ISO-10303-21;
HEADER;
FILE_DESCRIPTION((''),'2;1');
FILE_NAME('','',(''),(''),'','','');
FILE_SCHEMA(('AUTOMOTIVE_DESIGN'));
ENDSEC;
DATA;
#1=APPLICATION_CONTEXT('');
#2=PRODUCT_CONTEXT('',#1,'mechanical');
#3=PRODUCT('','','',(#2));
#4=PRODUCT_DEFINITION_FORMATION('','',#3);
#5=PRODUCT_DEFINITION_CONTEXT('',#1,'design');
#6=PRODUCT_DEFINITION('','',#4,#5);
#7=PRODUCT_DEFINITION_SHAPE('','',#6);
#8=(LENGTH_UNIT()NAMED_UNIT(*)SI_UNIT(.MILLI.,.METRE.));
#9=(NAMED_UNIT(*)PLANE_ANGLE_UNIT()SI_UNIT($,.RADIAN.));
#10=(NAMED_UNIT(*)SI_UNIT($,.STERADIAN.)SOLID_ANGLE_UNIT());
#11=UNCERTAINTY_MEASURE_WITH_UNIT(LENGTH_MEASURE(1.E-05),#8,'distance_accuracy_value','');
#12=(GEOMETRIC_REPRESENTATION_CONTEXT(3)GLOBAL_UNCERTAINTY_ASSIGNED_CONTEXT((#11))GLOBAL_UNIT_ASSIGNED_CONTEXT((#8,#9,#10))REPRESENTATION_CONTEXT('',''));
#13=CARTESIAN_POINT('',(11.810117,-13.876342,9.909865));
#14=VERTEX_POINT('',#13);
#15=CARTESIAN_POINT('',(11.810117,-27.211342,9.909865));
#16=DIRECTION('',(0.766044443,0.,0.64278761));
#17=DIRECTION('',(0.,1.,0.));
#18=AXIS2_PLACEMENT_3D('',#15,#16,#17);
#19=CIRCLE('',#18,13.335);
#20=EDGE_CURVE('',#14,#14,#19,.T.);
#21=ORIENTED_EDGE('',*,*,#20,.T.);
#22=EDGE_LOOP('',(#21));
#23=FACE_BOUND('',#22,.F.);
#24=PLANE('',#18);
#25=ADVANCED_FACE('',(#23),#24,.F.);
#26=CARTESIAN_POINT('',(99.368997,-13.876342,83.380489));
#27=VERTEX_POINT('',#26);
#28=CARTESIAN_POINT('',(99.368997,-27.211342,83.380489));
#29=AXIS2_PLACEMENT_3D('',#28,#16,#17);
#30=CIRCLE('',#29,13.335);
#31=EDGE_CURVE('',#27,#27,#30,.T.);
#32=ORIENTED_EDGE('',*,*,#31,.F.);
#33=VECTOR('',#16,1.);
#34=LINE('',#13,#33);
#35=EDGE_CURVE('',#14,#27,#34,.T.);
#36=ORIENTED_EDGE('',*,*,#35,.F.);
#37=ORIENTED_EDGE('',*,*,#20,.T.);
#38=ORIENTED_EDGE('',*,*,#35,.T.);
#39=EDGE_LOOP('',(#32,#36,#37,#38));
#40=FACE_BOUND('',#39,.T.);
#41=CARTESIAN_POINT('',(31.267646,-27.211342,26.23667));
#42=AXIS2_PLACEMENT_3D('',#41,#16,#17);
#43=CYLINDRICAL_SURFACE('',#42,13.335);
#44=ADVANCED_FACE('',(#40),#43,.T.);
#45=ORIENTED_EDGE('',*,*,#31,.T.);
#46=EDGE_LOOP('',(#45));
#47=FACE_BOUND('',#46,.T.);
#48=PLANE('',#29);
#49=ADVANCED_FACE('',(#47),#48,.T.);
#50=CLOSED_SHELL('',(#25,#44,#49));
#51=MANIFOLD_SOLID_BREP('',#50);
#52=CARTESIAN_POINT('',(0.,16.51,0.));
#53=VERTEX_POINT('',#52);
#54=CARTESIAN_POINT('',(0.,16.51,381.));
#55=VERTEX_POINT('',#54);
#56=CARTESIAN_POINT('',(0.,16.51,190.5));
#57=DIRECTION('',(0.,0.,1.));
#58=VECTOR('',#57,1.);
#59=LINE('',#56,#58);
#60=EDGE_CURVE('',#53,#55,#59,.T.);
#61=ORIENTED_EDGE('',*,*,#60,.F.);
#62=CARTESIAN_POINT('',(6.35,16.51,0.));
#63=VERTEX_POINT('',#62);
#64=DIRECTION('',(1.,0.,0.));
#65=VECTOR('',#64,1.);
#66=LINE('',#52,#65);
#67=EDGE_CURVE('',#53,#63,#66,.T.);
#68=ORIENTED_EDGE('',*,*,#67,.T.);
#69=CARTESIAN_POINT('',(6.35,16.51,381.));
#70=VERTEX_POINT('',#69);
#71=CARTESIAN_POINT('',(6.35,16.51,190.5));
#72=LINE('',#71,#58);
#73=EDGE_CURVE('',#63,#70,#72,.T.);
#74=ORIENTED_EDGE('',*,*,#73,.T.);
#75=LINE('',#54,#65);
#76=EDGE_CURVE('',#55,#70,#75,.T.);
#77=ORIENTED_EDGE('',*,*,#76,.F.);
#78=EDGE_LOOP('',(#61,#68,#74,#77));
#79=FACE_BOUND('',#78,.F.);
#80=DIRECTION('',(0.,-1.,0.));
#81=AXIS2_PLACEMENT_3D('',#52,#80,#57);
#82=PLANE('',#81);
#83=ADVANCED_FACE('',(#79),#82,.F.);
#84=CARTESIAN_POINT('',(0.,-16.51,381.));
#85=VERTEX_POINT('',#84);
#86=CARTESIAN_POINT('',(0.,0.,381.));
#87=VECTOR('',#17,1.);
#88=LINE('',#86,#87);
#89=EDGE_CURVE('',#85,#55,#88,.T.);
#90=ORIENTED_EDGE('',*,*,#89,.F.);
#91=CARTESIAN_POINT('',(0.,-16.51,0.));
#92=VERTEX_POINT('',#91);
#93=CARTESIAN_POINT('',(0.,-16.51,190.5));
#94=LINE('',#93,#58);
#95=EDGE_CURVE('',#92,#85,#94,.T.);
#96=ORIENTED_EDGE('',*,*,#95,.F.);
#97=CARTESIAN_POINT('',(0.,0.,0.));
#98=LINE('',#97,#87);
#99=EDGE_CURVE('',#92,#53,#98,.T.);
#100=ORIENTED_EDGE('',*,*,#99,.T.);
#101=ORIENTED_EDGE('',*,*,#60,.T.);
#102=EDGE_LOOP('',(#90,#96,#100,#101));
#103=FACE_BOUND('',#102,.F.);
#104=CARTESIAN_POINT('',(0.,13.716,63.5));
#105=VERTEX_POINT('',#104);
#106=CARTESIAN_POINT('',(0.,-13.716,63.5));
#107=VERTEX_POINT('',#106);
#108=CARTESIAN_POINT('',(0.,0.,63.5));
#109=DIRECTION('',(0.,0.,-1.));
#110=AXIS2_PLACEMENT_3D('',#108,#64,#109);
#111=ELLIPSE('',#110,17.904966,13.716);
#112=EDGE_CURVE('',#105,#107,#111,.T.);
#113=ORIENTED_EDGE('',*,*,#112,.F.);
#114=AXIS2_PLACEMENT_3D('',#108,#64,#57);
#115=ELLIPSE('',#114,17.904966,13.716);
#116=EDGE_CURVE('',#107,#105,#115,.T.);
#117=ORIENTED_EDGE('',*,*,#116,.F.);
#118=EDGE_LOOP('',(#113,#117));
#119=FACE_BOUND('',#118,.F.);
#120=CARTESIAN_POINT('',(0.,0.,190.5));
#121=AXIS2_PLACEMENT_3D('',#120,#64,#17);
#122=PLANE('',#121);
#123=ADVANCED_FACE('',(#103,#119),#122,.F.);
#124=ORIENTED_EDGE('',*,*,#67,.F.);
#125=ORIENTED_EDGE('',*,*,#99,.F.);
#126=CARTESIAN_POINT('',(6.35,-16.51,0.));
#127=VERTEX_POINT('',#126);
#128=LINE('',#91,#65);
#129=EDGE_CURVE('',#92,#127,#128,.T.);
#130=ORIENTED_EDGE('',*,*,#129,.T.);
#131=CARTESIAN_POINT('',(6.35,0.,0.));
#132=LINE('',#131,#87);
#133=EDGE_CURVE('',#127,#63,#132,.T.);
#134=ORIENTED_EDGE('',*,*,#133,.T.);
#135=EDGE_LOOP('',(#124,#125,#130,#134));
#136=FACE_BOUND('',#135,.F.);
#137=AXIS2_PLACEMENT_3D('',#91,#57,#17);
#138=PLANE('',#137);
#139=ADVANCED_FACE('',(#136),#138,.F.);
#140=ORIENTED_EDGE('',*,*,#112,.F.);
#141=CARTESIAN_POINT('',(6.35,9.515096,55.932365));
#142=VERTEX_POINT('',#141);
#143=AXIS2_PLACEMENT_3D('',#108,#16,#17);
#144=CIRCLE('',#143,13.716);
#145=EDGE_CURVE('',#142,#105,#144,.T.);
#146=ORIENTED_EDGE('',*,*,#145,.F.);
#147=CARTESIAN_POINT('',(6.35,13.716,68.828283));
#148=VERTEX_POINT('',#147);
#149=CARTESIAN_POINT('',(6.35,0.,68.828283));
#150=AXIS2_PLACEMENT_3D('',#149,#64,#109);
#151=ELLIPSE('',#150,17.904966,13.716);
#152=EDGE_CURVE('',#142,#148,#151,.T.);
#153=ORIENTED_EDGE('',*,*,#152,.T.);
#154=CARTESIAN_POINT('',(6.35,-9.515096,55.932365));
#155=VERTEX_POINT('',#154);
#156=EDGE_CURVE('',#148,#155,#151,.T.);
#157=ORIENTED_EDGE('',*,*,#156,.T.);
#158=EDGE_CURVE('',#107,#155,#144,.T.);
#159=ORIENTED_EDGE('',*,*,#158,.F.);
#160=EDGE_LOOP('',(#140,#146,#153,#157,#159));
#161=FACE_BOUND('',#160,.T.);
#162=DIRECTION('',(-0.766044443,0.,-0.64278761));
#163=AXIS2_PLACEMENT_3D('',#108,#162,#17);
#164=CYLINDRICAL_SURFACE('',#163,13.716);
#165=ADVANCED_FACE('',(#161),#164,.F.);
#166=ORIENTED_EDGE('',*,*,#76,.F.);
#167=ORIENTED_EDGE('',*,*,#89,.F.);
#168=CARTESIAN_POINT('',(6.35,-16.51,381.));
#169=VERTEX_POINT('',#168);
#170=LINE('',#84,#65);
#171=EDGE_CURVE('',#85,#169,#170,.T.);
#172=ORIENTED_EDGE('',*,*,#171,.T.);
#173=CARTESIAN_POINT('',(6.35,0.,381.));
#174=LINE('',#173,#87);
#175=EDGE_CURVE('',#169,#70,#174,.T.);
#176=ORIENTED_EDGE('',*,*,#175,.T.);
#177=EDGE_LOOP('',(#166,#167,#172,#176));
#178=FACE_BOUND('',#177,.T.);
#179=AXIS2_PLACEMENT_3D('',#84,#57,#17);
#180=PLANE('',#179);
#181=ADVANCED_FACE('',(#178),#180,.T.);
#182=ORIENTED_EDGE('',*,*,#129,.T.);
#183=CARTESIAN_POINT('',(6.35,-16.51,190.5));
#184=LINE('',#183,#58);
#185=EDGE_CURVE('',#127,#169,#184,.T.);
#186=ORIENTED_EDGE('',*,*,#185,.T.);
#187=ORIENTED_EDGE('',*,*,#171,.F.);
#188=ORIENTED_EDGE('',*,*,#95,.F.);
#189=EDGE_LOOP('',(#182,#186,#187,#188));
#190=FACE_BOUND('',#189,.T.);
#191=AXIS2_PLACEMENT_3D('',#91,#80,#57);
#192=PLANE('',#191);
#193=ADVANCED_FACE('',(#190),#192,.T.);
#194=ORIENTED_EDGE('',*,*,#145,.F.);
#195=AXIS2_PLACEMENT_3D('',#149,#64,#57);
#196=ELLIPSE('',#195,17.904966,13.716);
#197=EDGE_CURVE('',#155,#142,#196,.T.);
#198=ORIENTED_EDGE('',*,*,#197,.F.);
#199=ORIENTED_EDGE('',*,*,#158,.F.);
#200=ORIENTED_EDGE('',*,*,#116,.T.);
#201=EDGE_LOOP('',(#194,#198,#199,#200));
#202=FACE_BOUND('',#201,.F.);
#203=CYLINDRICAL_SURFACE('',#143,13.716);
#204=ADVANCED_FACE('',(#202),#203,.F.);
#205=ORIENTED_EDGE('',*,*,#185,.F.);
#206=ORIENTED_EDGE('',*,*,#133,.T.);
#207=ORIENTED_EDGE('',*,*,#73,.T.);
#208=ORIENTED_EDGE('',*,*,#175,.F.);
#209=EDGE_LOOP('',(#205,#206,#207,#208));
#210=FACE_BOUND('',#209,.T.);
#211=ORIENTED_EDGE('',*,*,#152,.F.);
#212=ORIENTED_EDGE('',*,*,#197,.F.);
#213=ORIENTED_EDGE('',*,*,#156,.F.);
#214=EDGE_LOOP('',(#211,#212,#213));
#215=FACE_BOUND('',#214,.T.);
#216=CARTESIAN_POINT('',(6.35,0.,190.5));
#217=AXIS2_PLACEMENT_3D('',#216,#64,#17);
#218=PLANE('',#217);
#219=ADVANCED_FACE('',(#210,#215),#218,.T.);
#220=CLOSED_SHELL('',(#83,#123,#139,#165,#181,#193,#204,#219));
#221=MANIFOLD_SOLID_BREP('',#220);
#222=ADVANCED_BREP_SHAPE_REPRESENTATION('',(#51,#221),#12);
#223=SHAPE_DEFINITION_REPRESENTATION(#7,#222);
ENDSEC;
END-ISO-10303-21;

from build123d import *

# Parameters (mm, degrees)
F0_W          = 33.02
F0_H          = 381
F1_DEPTH      = 6.35
F3_R          = 13.716
F4_DEPTH      = 208.9504482893
F4_DEPTH_BACK = 40.8180132151
F5_R          = 13.335
F6_DEPTH      = 88.9
F6_DEPTH_BACK = 25.4


with BuildPart() as f1:
    # F0 (on Right) → F1 (new body)
    with BuildSketch(Plane.YZ):
        with Locations((0, 190.5)):
            Rectangle(F0_W, F0_H)
    extrude(amount=F1_DEPTH)

    # F3 (on line) → F4 (cut, two sides)
    with BuildSketch(Plane(origin=(31.2676461581, 0, 26.2366703591), x_dir=(0, 1, 0), z_dir=(0.7660444431, 0, 0.6427876097))) as f4_sk:
        with Locations((0, 48.6438221381)):
            Circle(F3_R)
    extrude(amount=F4_DEPTH, mode=Mode.SUBTRACT)
    extrude(f4_sk.sketch, amount=-F4_DEPTH_BACK, mode=Mode.SUBTRACT)


with BuildPart() as f6:
    # F5 (on line) → F6 (new body, two sides)
    with BuildSketch(Plane(origin=(31.2676461581, 0, 26.2366703591), x_dir=(0, 1, 0), z_dir=(0.7660444431, 0, 0.6427876097))) as f6_sk:
        with Locations((-27.2113421434, 0)):
            Circle(F5_R)
    extrude(amount=F6_DEPTH)
    extrude(f6_sk.sketch, amount=-F6_DEPTH_BACK)


solid = Compound([f1.part, f6.part])
